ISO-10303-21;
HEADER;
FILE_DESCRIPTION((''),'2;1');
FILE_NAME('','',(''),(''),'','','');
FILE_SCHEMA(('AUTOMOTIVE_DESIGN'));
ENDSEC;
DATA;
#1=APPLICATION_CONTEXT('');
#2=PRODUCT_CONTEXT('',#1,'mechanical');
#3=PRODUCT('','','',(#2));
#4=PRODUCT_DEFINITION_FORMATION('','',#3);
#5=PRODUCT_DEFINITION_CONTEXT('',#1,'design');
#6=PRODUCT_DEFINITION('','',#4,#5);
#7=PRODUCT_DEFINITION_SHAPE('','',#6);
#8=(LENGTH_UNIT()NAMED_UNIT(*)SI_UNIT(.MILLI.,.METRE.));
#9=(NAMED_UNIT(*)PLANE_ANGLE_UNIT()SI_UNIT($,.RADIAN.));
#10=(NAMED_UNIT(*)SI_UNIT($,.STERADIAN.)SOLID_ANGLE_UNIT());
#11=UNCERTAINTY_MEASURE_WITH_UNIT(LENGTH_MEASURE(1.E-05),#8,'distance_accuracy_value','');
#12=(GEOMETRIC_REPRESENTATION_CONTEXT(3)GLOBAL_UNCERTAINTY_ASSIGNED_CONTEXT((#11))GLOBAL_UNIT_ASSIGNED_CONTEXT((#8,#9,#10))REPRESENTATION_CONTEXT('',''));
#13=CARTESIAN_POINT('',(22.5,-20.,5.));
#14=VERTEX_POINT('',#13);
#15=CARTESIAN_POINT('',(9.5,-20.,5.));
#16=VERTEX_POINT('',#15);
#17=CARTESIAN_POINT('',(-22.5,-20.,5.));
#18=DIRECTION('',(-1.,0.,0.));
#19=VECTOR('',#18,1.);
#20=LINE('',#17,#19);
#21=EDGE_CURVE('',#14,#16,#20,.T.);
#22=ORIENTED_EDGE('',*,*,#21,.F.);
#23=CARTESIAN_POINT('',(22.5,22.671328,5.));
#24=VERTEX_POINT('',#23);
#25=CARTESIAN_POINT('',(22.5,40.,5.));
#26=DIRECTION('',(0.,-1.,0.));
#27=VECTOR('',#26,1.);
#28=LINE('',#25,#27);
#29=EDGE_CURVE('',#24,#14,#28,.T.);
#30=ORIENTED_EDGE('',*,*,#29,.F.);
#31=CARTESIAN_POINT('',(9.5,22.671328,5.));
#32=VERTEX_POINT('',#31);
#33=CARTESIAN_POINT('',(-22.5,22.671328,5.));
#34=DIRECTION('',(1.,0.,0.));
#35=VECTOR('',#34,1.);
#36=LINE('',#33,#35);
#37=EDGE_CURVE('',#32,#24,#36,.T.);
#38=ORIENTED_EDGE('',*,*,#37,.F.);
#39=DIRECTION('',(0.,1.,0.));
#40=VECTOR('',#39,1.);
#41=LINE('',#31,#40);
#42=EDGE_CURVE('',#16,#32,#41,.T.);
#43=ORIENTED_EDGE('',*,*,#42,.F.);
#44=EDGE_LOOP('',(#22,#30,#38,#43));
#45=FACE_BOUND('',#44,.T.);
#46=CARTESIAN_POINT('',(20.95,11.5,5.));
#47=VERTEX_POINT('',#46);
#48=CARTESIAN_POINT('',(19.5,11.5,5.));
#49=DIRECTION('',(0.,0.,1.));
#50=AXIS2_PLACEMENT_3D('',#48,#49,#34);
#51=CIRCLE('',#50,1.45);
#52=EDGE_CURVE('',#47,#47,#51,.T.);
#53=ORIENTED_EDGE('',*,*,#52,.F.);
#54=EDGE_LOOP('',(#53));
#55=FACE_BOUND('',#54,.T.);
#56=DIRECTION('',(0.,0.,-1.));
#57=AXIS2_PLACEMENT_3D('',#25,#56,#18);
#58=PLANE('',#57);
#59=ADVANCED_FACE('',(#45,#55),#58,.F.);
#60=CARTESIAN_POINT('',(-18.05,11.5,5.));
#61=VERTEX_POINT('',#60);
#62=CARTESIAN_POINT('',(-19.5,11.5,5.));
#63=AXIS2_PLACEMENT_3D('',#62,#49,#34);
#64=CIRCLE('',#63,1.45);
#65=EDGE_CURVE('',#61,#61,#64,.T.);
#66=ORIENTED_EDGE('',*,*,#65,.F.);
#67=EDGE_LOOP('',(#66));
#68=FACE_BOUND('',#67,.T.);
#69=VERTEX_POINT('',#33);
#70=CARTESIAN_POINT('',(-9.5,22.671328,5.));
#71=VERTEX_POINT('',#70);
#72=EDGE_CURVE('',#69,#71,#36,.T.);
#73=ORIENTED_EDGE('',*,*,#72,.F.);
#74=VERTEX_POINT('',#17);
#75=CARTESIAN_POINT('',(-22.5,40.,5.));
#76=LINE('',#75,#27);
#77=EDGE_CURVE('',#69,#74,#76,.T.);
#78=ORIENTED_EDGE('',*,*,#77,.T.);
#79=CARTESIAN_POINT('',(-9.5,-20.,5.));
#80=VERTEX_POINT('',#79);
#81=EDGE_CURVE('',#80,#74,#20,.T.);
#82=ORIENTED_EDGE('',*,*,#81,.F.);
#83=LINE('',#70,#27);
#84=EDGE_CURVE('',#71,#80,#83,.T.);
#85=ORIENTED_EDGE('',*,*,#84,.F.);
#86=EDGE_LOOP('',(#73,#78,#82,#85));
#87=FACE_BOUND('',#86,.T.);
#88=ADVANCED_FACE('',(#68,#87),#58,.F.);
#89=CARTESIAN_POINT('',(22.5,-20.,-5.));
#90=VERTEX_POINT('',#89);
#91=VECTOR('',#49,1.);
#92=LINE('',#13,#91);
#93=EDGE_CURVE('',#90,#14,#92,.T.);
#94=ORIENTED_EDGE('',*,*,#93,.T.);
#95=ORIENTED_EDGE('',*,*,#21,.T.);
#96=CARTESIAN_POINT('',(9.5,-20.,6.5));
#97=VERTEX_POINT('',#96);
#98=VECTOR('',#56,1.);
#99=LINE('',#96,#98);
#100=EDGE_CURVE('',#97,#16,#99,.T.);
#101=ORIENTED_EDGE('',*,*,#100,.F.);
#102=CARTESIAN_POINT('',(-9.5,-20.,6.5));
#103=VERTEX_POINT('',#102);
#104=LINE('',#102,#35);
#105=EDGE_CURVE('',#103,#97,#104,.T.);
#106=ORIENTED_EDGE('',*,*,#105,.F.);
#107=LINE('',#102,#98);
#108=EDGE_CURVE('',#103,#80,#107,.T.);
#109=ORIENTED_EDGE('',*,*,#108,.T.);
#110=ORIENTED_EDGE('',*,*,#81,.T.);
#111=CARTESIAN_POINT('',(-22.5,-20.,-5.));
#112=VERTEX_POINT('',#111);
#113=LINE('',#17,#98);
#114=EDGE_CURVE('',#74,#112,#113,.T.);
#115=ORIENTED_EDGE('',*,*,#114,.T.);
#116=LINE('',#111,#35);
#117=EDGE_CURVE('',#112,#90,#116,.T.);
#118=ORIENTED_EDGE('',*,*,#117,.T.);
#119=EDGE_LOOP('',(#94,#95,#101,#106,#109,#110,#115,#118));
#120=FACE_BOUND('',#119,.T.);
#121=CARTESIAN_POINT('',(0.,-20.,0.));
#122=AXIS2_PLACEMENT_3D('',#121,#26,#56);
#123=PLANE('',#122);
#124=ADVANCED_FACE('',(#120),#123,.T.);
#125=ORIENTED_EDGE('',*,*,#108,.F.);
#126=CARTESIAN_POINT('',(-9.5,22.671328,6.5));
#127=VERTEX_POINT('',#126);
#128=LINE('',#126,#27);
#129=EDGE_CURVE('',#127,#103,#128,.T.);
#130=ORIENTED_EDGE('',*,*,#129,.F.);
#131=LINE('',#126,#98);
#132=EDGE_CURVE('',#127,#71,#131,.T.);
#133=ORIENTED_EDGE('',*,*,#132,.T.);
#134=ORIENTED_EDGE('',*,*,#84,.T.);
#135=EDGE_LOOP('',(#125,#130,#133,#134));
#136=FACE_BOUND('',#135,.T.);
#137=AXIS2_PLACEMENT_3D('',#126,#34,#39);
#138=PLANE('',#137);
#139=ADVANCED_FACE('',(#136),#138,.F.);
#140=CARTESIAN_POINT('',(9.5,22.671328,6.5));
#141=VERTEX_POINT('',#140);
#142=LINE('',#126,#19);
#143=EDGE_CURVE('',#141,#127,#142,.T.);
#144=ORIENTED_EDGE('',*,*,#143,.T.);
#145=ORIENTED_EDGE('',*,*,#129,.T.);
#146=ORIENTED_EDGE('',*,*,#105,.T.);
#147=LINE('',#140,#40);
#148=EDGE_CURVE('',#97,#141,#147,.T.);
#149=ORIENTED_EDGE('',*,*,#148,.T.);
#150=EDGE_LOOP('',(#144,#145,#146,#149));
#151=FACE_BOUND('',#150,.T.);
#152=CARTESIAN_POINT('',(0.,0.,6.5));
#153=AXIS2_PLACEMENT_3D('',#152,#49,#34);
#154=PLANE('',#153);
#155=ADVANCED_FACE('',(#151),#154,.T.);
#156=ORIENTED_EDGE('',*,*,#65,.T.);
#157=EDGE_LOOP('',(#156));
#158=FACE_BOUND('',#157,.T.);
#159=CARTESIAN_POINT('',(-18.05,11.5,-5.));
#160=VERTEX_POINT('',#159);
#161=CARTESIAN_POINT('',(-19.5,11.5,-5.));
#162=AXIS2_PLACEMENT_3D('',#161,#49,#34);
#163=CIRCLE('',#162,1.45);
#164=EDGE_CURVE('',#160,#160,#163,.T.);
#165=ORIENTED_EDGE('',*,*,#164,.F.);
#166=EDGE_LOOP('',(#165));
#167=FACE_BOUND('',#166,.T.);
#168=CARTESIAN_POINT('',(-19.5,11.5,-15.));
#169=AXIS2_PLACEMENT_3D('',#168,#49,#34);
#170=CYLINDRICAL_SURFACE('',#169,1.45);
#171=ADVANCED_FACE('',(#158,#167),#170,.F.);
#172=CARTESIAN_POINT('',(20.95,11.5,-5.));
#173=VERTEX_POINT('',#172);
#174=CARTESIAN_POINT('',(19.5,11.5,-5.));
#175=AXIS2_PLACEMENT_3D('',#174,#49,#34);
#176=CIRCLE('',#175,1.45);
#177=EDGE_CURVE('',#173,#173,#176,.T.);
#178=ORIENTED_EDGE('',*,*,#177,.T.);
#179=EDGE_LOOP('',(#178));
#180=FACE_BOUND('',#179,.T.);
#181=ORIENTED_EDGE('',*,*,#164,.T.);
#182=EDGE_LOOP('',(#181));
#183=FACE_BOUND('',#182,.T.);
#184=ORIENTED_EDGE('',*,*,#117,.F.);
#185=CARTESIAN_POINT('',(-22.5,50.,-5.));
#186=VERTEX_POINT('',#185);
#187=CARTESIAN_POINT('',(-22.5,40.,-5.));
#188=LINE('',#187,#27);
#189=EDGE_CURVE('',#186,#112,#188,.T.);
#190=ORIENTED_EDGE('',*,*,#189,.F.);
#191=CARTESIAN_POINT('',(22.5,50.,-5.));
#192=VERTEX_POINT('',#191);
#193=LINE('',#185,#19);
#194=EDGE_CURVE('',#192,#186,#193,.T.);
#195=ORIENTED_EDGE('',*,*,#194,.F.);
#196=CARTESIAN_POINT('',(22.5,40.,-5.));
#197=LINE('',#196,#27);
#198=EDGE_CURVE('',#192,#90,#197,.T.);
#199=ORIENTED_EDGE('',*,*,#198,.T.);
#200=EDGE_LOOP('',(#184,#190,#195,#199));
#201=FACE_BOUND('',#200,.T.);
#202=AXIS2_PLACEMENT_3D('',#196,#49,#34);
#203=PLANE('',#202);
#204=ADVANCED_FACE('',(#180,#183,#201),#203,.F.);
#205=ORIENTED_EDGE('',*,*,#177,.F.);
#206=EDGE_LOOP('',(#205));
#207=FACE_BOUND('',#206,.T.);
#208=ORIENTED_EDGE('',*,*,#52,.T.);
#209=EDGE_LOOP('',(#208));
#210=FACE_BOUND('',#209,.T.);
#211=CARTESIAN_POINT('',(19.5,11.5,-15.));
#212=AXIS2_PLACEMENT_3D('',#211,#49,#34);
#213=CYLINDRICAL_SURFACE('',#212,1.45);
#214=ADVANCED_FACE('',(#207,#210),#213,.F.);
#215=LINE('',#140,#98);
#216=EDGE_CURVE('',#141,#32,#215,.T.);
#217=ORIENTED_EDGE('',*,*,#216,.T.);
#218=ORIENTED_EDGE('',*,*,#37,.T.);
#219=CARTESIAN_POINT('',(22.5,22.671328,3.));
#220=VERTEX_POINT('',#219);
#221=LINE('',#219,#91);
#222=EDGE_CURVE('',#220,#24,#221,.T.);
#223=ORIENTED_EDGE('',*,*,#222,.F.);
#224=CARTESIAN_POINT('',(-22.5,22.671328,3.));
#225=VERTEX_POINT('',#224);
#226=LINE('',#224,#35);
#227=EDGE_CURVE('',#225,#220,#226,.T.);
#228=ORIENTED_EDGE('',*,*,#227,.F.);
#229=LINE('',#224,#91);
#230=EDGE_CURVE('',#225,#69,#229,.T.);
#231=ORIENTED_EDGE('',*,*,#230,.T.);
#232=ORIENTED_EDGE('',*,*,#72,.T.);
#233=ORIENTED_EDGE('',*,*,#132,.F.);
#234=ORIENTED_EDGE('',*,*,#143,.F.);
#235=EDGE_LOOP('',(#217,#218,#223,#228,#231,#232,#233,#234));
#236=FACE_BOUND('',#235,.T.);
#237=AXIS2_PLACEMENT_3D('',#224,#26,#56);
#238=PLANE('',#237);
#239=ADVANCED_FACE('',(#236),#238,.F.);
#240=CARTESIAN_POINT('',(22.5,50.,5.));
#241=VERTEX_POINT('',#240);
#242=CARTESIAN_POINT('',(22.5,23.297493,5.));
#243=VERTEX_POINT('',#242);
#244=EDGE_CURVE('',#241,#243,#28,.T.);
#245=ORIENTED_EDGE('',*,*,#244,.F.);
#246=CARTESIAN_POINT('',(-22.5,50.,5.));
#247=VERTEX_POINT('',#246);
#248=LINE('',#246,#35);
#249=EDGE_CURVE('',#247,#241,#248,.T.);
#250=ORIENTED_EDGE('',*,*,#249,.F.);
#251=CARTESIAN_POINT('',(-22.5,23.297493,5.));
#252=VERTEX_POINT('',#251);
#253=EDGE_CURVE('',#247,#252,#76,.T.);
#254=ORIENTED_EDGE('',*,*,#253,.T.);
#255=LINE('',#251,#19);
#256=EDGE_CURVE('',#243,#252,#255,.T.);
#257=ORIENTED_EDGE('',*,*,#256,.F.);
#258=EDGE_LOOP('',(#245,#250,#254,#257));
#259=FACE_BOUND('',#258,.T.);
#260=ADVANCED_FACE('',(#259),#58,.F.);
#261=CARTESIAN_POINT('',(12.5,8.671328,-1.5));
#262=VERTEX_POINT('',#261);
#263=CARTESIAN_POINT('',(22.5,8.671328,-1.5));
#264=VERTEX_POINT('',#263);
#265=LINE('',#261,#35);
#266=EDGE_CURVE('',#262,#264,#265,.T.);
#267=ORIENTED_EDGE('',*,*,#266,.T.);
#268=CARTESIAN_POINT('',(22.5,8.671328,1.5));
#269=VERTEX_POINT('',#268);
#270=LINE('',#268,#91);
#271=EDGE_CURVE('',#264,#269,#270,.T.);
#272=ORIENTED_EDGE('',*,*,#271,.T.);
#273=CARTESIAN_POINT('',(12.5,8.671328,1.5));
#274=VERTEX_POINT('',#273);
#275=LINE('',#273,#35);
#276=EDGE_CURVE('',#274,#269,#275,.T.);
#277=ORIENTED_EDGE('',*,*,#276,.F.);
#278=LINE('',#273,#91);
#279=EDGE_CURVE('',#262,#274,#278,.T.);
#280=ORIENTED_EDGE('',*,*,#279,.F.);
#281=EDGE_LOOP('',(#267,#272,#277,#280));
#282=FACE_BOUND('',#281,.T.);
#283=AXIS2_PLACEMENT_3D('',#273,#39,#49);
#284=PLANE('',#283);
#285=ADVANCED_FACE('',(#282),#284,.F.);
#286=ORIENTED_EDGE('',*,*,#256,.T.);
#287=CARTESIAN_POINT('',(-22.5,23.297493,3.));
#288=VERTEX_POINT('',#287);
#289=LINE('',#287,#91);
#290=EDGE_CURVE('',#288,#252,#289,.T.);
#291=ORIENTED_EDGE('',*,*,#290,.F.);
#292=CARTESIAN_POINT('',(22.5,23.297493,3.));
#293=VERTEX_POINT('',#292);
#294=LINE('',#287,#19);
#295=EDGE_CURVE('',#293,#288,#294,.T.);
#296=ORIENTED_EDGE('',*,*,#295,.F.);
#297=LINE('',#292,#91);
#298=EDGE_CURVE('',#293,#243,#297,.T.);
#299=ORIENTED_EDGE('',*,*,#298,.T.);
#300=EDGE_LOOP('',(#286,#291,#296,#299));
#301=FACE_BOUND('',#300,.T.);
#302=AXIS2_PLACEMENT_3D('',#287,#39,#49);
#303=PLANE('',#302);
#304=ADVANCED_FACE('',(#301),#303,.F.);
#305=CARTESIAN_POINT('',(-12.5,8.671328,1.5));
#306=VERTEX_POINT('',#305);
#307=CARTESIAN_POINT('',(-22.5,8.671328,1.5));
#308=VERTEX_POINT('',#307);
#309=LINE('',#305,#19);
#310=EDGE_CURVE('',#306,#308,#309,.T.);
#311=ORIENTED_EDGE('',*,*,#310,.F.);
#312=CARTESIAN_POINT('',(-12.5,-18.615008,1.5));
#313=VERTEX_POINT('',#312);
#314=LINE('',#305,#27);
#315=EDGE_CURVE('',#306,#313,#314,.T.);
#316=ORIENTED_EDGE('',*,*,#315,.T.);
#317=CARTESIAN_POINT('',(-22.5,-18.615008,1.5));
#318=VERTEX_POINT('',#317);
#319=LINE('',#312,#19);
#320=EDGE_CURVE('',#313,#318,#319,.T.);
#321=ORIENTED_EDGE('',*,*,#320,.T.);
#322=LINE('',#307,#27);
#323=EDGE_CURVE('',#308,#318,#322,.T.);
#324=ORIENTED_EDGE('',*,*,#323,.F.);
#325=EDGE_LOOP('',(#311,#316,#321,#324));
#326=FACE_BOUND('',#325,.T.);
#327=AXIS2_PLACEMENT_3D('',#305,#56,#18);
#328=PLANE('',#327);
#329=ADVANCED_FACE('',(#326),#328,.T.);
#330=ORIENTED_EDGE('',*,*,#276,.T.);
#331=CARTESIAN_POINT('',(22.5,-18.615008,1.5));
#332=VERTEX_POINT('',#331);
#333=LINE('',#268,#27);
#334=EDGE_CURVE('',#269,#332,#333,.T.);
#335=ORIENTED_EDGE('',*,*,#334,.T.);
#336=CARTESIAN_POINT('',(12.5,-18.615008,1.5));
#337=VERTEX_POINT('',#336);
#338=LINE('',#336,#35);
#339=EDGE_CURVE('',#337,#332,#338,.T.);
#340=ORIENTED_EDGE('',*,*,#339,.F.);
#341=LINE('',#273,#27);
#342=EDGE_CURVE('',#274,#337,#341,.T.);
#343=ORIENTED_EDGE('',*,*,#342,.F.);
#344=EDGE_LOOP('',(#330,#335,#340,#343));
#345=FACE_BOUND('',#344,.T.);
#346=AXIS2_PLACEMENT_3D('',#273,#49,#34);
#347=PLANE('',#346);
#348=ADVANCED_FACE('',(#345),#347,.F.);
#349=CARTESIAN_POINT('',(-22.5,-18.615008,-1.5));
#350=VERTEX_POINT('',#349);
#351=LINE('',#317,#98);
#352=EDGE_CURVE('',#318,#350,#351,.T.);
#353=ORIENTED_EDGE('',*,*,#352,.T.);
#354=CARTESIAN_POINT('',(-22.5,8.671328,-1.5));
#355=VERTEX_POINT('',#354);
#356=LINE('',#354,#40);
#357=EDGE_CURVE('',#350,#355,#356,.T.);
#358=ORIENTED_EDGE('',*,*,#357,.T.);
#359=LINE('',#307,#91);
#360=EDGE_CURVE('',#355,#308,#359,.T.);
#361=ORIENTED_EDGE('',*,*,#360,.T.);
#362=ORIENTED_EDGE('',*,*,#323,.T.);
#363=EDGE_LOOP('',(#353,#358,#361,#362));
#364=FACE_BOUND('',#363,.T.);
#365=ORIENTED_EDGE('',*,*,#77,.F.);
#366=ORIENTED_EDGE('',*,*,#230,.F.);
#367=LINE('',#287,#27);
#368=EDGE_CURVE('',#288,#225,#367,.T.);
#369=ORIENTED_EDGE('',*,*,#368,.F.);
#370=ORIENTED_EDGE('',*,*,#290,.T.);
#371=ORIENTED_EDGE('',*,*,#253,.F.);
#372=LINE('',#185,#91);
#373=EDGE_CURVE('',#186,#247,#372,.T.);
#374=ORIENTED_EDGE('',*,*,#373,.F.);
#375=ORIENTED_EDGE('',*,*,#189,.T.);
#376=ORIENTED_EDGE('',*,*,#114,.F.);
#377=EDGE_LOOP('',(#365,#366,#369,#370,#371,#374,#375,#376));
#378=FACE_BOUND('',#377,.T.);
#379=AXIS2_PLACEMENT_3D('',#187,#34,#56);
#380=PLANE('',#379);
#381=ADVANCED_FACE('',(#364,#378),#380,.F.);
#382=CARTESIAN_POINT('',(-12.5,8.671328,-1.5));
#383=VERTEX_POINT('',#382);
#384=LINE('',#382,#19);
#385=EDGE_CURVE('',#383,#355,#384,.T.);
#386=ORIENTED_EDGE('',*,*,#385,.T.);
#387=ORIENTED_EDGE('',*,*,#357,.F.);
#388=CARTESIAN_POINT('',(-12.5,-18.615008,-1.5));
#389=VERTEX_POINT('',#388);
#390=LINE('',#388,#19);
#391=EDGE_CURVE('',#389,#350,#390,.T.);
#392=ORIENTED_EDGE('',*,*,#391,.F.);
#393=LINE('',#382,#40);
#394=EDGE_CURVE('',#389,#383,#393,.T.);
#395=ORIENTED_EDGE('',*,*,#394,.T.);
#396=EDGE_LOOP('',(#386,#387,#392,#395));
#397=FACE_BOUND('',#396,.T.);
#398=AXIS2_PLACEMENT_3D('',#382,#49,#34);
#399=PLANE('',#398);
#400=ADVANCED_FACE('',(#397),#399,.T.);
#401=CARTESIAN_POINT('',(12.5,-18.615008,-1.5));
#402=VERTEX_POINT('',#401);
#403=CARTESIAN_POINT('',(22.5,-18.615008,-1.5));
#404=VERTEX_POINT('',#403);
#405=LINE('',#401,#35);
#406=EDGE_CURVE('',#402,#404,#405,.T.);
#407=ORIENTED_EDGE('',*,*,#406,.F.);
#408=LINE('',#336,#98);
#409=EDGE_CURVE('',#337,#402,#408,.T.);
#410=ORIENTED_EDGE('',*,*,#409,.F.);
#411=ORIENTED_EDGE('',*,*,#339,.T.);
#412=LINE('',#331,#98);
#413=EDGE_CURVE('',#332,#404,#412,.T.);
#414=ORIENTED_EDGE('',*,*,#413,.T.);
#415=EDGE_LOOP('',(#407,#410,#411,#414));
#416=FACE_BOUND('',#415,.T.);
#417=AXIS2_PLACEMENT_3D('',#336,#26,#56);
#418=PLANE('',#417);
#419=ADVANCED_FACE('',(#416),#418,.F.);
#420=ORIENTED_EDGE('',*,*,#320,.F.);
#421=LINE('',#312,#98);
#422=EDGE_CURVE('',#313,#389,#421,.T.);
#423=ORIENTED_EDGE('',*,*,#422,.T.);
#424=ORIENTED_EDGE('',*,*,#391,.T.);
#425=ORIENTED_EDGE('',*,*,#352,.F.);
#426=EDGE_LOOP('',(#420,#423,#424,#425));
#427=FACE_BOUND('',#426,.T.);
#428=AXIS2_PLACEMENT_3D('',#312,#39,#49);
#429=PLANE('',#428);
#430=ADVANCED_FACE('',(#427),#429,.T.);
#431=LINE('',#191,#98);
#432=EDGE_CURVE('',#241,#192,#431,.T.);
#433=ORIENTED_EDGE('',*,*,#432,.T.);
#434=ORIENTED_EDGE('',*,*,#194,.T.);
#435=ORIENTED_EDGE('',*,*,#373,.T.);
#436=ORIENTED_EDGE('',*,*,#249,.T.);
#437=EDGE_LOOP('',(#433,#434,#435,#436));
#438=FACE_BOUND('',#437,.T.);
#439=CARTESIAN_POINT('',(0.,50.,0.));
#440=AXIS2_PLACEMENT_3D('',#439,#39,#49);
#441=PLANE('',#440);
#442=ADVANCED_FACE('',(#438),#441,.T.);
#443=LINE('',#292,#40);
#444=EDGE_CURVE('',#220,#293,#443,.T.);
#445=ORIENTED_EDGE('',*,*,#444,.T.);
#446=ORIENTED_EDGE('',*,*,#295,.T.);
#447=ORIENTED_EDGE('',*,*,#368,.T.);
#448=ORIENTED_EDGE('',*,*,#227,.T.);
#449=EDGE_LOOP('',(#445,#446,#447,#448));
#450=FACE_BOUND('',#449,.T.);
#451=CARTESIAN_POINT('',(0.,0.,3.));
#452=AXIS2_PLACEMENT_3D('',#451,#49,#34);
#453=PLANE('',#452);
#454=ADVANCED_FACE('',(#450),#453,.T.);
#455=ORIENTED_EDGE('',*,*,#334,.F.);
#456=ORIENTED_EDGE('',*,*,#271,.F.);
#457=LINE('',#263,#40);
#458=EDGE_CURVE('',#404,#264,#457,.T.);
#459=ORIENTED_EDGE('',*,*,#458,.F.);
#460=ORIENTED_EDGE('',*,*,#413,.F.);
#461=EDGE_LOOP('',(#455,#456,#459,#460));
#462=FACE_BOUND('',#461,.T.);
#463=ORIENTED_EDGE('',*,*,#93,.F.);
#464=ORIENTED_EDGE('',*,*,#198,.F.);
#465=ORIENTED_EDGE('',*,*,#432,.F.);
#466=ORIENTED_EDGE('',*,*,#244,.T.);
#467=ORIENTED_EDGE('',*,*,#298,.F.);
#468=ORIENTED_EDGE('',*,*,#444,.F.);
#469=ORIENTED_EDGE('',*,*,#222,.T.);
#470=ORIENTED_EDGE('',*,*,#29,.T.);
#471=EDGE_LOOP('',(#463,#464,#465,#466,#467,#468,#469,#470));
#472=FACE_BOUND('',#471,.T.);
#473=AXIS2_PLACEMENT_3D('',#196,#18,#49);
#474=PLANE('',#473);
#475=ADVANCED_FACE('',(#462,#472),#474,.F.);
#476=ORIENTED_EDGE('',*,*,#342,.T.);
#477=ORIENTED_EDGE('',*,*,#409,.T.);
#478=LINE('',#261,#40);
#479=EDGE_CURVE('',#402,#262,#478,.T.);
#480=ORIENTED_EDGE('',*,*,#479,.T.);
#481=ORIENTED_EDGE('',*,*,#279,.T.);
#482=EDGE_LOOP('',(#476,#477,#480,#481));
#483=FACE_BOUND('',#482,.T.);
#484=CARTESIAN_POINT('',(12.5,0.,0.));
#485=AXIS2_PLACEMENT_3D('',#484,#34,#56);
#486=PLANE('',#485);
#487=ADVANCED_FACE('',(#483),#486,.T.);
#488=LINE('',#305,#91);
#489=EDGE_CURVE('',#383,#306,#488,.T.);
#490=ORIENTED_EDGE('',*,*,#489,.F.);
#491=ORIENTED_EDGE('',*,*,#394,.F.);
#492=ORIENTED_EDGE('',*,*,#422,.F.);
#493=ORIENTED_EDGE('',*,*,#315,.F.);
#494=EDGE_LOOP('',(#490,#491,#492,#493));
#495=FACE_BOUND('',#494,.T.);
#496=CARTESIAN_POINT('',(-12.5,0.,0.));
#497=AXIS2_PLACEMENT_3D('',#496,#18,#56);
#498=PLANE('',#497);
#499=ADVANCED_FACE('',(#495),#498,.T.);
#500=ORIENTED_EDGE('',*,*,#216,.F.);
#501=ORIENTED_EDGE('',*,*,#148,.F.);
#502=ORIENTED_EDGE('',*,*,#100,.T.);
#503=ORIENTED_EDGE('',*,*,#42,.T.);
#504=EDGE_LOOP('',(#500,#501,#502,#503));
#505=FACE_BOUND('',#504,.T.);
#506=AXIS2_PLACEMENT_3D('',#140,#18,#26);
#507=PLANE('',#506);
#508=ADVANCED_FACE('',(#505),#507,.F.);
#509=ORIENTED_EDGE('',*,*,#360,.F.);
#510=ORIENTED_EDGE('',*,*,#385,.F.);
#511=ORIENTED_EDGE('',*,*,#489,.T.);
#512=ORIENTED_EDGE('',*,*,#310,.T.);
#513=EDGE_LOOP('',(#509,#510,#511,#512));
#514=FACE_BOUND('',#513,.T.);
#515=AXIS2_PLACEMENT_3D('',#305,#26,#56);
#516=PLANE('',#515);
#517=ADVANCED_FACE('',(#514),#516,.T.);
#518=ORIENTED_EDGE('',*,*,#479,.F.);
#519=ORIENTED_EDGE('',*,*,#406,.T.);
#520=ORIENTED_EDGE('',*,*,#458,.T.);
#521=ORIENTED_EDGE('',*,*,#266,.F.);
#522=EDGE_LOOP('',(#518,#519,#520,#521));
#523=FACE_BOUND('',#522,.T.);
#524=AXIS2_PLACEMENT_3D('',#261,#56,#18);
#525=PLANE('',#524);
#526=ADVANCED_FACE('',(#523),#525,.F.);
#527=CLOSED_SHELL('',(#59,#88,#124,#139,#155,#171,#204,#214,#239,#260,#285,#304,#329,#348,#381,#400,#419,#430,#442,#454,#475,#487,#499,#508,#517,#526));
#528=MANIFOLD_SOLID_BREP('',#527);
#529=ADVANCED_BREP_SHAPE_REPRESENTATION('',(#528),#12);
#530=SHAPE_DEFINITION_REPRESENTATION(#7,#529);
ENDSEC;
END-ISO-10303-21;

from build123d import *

# Parameters (mm, degrees)
SKETCH2_W           = 45
SKETCH2_H           = 10
BOSS_EXTRUDE1_DEPTH = 40
SKETCH4_W           = 45
SKETCH4_H           = 10
BOSS_EXTRUDE2_DEPTH = 10
SKETCH8_W           = 45
SKETCH8_H           = 10
BOSS_EXTRUDE3_DEPTH = 20
SKETCH9_R           = 1.45
CUT_EXTRUDE2_DEPTH  = 20
SKETCH10_W          = 45
SKETCH10_H          = 0.626165357
CUT_EXTRUDE3_DEPTH  = 2
SKETCH11_W          = 19
SKETCH11_H          = 42.671327575
BOSS_EXTRUDE4_DEPTH = 1.5
SKETCH12_W          = 3
SKETCH12_H          = 27.286335608
CUT_EXTRUDE6_DEPTH  = 10


with BuildPart() as part:
    # Sketch2 → Boss-Extrude1 (new body)
    with BuildSketch(Plane(origin=(0, 0, 0), x_dir=(1, 0, 0), z_dir=(0, 1, 0))):
        Rectangle(SKETCH2_W, SKETCH2_H)
    extrude(amount=BOSS_EXTRUDE1_DEPTH)

    # Sketch4 → Boss-Extrude2 (add)
    with BuildSketch(Plane(origin=(0, 40, 0), x_dir=(1, 0, 0), z_dir=(0, 1, 0))):
        Rectangle(SKETCH4_W, SKETCH4_H)
    extrude(amount=BOSS_EXTRUDE2_DEPTH)

    # Sketch8 → Boss-Extrude3 (add)
    with BuildSketch(Plane.XZ):
        Rectangle(SKETCH8_W, SKETCH8_H)
    extrude(amount=BOSS_EXTRUDE3_DEPTH)

    # Sketch9 → Cut-Extrude2 (cut)
    with BuildSketch(Plane.XY.offset(5)):
        with Locations((19.5, 11.5)):
            Circle(SKETCH9_R)
        with Locations((-19.5, 11.5)):
            Circle(SKETCH9_R)
    extrude(amount=-CUT_EXTRUDE2_DEPTH, mode=Mode.SUBTRACT)

    # Sketch10 → Cut-Extrude3 (cut)
    with BuildSketch(Plane.XY.offset(5)):
        with Locations((0, 22.984410254)):
            Rectangle(SKETCH10_W, SKETCH10_H)
    extrude(amount=-CUT_EXTRUDE3_DEPTH, mode=Mode.SUBTRACT)

    # Sketch11 → Boss-Extrude4 (add)
    with BuildSketch(Plane.XY.offset(5)):
        with Locations((0, 1.335663788)):
            Rectangle(SKETCH11_W, SKETCH11_H)
    extrude(amount=BOSS_EXTRUDE4_DEPTH)

    # Sketch12 → Cut-Extrude6 (cut)
    with BuildSketch(Plane(origin=(22.5, 0, 0), x_dir=(0, 0, -1), z_dir=(1, 0, 0))):
        with Locations((0, -4.971840229)):
            Rectangle(SKETCH12_W, SKETCH12_H)
    cut_extrude6 = extrude(amount=-CUT_EXTRUDE6_DEPTH, mode=Mode.SUBTRACT)

    # Mirror1: Cut-Extrude6 across plane
    add(cut_extrude6.mirror(Plane(origin=(0, 0, 0), x_dir=(0, 0, 1), z_dir=(1, 0, 0))), mode=Mode.SUBTRACT)


solid = part.part
